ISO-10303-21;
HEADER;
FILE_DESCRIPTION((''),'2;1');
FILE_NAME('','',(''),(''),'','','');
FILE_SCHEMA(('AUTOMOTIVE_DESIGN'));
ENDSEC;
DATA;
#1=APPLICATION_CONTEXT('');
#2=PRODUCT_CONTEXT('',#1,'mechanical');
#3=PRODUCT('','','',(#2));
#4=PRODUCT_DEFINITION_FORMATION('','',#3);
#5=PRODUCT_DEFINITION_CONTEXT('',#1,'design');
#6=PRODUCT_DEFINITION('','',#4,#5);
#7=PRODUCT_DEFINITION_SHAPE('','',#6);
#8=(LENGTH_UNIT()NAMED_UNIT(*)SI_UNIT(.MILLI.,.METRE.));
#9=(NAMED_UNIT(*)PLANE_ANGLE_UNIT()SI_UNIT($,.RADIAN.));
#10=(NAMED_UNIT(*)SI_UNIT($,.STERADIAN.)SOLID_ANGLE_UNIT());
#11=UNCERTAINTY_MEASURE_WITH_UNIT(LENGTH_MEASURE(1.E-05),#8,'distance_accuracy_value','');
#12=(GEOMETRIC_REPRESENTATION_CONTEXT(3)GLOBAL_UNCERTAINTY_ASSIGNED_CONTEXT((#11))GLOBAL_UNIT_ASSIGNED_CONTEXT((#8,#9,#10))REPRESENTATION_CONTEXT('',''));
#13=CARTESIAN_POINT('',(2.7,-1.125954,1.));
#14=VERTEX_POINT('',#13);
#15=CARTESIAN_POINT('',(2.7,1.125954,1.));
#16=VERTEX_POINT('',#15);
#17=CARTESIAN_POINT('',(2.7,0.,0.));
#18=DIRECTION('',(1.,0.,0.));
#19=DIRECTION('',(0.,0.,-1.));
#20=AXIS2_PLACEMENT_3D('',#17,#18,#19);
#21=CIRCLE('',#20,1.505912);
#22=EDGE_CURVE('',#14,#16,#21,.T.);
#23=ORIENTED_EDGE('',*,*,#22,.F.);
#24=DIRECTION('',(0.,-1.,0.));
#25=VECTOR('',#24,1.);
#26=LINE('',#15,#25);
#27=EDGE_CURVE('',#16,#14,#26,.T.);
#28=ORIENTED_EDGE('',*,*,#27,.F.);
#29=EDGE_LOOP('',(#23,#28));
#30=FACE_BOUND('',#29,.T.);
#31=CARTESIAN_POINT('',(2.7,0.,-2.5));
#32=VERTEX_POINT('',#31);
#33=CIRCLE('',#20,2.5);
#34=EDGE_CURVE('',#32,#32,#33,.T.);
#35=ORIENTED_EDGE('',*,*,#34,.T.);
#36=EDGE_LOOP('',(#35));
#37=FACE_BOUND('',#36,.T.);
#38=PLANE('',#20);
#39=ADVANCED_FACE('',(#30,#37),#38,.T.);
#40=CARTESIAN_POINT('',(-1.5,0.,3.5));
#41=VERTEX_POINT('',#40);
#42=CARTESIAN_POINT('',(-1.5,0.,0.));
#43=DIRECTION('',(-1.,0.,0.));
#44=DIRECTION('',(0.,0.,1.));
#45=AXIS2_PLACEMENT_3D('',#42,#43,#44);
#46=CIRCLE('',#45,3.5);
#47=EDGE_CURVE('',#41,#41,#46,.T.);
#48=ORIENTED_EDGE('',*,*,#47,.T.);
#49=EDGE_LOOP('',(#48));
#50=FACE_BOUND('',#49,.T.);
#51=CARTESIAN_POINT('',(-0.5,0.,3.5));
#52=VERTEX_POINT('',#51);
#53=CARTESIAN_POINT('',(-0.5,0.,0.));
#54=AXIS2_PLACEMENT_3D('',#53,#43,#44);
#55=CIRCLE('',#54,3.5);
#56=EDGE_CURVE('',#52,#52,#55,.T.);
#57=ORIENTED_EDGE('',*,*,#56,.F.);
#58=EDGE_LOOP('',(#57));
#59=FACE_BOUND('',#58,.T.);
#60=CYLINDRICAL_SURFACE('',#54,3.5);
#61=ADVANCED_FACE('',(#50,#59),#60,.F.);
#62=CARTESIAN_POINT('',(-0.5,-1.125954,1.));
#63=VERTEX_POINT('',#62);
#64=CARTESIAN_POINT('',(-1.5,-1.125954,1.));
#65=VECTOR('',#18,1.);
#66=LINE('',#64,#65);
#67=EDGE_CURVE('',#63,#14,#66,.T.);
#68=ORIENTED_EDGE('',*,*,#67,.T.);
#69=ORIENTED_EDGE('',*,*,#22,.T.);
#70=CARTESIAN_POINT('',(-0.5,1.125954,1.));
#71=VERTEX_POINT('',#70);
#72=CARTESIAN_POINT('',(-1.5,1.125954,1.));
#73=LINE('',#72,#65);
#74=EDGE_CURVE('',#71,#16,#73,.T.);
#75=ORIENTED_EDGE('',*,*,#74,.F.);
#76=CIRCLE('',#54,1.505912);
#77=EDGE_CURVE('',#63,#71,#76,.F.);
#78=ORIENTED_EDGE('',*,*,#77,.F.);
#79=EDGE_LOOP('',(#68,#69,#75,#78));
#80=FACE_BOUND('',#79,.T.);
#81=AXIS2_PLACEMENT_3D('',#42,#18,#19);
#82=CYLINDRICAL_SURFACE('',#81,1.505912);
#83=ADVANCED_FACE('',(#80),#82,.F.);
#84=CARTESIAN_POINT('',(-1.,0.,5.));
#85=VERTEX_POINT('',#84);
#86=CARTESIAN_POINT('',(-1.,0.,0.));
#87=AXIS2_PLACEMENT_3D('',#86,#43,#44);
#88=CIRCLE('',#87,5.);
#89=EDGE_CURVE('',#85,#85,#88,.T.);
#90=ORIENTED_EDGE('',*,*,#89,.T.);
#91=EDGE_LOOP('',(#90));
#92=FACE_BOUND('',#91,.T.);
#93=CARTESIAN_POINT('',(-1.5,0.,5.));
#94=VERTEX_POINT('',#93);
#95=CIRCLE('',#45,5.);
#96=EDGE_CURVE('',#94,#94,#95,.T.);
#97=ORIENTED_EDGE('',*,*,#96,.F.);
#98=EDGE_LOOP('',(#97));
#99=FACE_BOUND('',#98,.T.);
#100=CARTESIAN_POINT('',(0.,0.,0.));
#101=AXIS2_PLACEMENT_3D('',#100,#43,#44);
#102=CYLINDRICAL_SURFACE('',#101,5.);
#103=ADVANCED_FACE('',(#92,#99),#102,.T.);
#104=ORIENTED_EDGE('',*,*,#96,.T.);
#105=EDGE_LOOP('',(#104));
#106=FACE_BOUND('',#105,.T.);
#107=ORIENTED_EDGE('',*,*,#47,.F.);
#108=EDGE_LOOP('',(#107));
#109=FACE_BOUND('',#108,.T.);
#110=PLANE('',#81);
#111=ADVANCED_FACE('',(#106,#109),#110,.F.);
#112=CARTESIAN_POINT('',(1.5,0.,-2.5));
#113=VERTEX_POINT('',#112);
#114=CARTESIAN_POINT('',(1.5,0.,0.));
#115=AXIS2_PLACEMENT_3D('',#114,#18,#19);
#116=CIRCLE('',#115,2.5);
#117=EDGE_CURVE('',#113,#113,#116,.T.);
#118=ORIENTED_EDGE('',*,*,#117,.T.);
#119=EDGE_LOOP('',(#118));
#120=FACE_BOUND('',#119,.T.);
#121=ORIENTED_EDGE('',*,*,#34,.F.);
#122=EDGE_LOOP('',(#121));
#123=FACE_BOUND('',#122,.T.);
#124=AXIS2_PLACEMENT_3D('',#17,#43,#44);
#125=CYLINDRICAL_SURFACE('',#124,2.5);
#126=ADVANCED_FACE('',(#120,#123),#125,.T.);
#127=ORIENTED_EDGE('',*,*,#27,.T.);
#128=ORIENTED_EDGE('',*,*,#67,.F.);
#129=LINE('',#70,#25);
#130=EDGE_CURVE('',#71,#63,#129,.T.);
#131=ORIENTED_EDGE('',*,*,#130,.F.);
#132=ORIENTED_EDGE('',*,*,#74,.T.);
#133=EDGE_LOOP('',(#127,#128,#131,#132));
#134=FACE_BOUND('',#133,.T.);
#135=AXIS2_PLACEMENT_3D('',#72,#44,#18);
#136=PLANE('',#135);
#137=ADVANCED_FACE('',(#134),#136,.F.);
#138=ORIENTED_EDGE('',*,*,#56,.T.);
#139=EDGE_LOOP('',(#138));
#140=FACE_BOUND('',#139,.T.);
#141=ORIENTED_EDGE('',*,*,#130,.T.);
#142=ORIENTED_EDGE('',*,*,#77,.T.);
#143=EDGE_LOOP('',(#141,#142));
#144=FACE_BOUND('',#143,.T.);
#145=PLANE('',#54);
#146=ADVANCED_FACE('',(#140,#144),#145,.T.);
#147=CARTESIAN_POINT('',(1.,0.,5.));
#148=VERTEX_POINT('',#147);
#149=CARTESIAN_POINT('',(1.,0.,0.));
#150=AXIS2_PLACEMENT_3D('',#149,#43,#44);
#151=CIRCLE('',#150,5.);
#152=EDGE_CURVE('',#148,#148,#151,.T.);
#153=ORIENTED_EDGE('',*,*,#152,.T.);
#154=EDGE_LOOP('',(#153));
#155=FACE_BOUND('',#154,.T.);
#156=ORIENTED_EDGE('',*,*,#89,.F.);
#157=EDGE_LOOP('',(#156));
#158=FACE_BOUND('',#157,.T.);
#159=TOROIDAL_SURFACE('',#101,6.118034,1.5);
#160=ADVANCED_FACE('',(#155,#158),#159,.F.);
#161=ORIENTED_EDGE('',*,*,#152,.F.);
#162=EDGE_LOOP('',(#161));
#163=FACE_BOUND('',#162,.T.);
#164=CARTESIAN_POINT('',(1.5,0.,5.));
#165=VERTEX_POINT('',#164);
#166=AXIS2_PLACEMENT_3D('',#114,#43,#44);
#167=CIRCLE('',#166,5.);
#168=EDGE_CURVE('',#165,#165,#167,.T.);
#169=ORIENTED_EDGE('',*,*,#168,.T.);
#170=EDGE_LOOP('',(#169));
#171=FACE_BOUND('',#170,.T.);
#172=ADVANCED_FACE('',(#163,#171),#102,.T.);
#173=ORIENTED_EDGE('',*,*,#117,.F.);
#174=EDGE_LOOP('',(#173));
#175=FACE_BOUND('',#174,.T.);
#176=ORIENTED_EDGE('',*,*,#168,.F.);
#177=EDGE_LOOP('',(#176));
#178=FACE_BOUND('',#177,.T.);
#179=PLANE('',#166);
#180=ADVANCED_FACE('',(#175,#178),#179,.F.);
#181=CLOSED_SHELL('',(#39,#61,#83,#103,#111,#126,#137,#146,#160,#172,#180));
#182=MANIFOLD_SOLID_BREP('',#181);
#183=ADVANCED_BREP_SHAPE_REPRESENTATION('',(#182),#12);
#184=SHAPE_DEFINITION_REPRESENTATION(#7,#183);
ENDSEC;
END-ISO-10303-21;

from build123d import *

# Parameters (mm, degrees)
SKETCH7_R               = 2.5
BOSS_EXTRUDE1_DEPTH     = 1.2
CUT_EXTRUDE1_DEPTH      = 2.2
CUT_EXTRUDE1_DEPTH_BACK = 4
SKETCH9_R               = 3.5
CUT_EXTRUDE2_DEPTH      = 1


with BuildPart() as part:
    # Sketch3 → Revolve1 (revolve)
    with BuildSketch(Plane.XY):
        with BuildLine():
            Line((-1.5, 0), (1.5, 0))
            Line((1.5, 0), (1.5, 5))
            Line((1.5, 5), (1, 5))
            ThreePointArc((1, 5), (0, 4.618033989), (-1, 5))
            Line((-1, 5), (-1.5, 5))
            Line((-1.5, 5), (-1.5, 0))
        make_face()
    revolve(axis=Axis((0, 0, 0), (1, 0, 0)))

    # Sketch7 → Boss-Extrude1 (add)
    with BuildSketch(Plane(origin=(1.5, 0, 0), x_dir=(0, 0, -1), z_dir=(1, 0, 0))):
        Circle(SKETCH7_R)
    extrude(amount=BOSS_EXTRUDE1_DEPTH)

    # Sketch5 → Cut-Extrude1 (cut, two sides)
    with BuildSketch(Plane(origin=(1.5, 0, 0), x_dir=(0, 0, -1), z_dir=(1, 0, 0))) as cut_extrude1_sk:
        with BuildLine():
            Line((-1, 1.125953933), (-1, -1.125953933))
            ThreePointArc((-1, -1.125953933), (1.505912434, 0), (-1, 1.125953933))
        make_face()
    extrude(amount=CUT_EXTRUDE1_DEPTH, mode=Mode.SUBTRACT)
    extrude(cut_extrude1_sk.sketch, amount=-CUT_EXTRUDE1_DEPTH_BACK, mode=Mode.SUBTRACT)

    # Sketch9 → Cut-Extrude2 (cut)
    with BuildSketch(Plane.ZY.offset(1.5)):
        Circle(SKETCH9_R)
    extrude(amount=-CUT_EXTRUDE2_DEPTH, mode=Mode.SUBTRACT)


solid = part.part
